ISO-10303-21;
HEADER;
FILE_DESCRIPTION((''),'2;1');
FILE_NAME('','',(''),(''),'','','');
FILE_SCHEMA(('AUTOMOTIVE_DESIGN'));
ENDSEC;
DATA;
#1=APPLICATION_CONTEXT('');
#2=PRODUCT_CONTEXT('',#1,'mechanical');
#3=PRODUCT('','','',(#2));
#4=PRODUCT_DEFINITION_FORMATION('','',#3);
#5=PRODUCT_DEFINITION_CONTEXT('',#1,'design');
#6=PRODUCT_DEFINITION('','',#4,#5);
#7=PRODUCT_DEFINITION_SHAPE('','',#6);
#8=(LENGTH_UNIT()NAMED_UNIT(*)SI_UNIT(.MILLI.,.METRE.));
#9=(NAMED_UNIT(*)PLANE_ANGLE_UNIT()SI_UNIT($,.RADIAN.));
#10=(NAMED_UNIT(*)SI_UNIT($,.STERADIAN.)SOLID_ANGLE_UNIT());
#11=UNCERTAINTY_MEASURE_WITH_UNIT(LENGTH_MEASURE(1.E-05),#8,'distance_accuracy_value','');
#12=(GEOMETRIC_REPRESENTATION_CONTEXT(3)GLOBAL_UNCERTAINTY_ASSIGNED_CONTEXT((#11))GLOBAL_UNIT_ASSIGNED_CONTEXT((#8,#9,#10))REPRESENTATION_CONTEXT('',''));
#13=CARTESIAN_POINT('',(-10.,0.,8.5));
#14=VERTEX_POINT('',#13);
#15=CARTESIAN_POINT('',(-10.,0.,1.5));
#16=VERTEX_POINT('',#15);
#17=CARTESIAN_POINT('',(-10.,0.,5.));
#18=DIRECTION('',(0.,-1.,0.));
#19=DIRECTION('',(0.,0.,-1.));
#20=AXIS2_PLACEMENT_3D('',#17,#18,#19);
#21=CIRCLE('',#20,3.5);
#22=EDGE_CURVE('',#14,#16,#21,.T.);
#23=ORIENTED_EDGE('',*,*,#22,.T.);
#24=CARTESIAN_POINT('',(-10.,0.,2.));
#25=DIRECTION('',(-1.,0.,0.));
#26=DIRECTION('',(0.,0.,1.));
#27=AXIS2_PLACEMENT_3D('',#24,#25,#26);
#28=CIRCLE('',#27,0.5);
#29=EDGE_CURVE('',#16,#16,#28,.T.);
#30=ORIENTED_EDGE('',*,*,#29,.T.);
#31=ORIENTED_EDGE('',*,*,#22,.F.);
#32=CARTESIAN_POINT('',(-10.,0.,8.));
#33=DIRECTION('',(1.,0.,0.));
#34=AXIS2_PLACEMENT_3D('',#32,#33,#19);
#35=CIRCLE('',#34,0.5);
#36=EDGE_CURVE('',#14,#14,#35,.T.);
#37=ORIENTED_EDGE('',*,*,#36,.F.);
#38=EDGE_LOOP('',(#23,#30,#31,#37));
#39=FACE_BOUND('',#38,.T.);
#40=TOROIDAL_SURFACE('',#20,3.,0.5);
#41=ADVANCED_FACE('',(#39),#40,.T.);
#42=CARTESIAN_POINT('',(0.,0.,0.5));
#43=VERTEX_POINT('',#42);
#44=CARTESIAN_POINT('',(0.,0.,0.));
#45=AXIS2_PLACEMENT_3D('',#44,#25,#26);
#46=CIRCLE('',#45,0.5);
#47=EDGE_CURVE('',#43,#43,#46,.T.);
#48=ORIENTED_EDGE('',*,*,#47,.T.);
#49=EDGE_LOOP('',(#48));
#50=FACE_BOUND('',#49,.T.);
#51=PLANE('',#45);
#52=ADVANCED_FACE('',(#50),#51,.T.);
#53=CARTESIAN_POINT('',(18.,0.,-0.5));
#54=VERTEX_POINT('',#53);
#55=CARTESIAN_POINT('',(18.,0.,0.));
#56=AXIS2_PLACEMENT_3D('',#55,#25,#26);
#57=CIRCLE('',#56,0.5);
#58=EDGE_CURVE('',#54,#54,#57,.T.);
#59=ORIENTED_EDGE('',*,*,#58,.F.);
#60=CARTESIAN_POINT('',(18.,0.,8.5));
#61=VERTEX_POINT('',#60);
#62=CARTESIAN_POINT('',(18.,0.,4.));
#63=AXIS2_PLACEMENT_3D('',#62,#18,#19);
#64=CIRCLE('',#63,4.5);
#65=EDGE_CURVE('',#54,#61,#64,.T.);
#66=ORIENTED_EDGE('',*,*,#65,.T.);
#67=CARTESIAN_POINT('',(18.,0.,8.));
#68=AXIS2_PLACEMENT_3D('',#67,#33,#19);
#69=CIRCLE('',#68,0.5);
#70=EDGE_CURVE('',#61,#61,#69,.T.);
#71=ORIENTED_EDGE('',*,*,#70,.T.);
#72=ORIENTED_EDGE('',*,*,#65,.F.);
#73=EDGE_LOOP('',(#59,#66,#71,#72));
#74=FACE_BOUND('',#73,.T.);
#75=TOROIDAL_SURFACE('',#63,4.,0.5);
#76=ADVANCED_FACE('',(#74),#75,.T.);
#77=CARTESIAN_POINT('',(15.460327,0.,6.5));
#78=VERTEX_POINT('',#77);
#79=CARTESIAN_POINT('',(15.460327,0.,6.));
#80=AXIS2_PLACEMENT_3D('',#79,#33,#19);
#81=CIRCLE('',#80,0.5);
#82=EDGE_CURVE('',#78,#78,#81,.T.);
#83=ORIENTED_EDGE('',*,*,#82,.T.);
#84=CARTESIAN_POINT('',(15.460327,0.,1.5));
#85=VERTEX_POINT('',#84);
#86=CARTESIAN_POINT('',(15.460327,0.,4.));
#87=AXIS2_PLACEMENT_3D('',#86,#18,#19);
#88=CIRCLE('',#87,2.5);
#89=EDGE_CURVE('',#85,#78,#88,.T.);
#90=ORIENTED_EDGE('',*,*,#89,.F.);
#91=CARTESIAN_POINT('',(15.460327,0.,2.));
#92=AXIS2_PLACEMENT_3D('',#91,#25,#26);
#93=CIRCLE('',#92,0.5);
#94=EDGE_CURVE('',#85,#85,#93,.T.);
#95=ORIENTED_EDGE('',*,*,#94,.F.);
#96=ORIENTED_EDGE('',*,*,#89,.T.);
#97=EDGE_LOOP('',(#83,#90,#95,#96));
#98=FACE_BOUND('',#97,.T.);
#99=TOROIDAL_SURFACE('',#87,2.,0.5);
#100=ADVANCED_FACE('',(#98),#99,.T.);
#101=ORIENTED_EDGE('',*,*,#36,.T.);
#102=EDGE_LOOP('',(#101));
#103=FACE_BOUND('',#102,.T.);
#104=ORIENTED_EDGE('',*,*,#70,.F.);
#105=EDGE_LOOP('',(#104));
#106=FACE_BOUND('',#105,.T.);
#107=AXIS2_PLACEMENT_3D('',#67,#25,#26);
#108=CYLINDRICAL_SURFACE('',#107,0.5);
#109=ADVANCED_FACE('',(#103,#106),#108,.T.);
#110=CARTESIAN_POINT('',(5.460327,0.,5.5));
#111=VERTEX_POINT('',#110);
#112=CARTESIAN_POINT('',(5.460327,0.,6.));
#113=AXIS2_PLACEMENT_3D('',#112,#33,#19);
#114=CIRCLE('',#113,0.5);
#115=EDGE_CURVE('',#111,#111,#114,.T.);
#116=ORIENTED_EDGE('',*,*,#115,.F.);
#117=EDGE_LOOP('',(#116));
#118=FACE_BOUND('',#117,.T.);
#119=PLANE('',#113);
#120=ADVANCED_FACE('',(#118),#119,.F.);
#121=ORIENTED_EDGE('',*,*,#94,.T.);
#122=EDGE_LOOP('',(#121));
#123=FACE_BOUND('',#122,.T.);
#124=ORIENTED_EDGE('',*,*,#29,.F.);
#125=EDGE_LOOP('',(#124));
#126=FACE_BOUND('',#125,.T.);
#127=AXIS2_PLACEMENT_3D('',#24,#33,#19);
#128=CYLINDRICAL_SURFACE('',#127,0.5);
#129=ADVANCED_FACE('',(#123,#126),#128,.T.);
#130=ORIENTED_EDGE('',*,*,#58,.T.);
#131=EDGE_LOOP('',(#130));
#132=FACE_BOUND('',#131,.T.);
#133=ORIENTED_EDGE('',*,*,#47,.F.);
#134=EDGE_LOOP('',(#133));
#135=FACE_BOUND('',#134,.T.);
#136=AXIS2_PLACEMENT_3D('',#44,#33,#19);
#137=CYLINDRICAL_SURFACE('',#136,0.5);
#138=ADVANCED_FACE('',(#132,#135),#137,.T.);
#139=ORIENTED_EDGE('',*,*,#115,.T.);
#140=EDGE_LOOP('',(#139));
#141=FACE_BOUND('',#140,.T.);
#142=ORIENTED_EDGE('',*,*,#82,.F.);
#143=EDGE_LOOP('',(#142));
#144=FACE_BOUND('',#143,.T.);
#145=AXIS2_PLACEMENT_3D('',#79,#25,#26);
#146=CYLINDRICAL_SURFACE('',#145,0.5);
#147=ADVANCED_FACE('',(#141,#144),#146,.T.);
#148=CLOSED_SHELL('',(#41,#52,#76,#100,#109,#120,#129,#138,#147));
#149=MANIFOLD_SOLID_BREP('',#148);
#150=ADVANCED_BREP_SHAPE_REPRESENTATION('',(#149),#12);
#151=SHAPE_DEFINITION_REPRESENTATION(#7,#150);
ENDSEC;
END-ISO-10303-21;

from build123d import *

# Parameters (mm, degrees)
SWEEP4_PROFILE_R = 0.5


with BuildPart() as part:
    # Sweep4: sweep along a path in Sketch1
    with BuildLine(Plane(origin=(0, 0, 0), x_dir=(1, 0, 0), z_dir=(0, 1, 0))) as sweep4_path:
        Line((0, 0), (18, 0))
        ThreePointArc((18, 0), (22, -4), (18, -8))
        Line((18, -8), (-10, -8))
        ThreePointArc((-10, -8), (-13, -5), (-10, -2))
        Line((-10, -2), (15.460327364, -2))
        ThreePointArc((15.460327364, -2), (17.460327364, -4), (15.460327364, -6))
        Line((15.460327364, -6), (5.460327364, -6))
    # Sweep4 profile (on start of the path) → Sweep4 (sweep)
    with BuildSketch(Plane(origin=(0, 0, 0), x_dir=(0, 0, 1), z_dir=(1, 0, 0))):
        Circle(SWEEP4_PROFILE_R)
    sweep(path=sweep4_path.line)


solid = part.part
